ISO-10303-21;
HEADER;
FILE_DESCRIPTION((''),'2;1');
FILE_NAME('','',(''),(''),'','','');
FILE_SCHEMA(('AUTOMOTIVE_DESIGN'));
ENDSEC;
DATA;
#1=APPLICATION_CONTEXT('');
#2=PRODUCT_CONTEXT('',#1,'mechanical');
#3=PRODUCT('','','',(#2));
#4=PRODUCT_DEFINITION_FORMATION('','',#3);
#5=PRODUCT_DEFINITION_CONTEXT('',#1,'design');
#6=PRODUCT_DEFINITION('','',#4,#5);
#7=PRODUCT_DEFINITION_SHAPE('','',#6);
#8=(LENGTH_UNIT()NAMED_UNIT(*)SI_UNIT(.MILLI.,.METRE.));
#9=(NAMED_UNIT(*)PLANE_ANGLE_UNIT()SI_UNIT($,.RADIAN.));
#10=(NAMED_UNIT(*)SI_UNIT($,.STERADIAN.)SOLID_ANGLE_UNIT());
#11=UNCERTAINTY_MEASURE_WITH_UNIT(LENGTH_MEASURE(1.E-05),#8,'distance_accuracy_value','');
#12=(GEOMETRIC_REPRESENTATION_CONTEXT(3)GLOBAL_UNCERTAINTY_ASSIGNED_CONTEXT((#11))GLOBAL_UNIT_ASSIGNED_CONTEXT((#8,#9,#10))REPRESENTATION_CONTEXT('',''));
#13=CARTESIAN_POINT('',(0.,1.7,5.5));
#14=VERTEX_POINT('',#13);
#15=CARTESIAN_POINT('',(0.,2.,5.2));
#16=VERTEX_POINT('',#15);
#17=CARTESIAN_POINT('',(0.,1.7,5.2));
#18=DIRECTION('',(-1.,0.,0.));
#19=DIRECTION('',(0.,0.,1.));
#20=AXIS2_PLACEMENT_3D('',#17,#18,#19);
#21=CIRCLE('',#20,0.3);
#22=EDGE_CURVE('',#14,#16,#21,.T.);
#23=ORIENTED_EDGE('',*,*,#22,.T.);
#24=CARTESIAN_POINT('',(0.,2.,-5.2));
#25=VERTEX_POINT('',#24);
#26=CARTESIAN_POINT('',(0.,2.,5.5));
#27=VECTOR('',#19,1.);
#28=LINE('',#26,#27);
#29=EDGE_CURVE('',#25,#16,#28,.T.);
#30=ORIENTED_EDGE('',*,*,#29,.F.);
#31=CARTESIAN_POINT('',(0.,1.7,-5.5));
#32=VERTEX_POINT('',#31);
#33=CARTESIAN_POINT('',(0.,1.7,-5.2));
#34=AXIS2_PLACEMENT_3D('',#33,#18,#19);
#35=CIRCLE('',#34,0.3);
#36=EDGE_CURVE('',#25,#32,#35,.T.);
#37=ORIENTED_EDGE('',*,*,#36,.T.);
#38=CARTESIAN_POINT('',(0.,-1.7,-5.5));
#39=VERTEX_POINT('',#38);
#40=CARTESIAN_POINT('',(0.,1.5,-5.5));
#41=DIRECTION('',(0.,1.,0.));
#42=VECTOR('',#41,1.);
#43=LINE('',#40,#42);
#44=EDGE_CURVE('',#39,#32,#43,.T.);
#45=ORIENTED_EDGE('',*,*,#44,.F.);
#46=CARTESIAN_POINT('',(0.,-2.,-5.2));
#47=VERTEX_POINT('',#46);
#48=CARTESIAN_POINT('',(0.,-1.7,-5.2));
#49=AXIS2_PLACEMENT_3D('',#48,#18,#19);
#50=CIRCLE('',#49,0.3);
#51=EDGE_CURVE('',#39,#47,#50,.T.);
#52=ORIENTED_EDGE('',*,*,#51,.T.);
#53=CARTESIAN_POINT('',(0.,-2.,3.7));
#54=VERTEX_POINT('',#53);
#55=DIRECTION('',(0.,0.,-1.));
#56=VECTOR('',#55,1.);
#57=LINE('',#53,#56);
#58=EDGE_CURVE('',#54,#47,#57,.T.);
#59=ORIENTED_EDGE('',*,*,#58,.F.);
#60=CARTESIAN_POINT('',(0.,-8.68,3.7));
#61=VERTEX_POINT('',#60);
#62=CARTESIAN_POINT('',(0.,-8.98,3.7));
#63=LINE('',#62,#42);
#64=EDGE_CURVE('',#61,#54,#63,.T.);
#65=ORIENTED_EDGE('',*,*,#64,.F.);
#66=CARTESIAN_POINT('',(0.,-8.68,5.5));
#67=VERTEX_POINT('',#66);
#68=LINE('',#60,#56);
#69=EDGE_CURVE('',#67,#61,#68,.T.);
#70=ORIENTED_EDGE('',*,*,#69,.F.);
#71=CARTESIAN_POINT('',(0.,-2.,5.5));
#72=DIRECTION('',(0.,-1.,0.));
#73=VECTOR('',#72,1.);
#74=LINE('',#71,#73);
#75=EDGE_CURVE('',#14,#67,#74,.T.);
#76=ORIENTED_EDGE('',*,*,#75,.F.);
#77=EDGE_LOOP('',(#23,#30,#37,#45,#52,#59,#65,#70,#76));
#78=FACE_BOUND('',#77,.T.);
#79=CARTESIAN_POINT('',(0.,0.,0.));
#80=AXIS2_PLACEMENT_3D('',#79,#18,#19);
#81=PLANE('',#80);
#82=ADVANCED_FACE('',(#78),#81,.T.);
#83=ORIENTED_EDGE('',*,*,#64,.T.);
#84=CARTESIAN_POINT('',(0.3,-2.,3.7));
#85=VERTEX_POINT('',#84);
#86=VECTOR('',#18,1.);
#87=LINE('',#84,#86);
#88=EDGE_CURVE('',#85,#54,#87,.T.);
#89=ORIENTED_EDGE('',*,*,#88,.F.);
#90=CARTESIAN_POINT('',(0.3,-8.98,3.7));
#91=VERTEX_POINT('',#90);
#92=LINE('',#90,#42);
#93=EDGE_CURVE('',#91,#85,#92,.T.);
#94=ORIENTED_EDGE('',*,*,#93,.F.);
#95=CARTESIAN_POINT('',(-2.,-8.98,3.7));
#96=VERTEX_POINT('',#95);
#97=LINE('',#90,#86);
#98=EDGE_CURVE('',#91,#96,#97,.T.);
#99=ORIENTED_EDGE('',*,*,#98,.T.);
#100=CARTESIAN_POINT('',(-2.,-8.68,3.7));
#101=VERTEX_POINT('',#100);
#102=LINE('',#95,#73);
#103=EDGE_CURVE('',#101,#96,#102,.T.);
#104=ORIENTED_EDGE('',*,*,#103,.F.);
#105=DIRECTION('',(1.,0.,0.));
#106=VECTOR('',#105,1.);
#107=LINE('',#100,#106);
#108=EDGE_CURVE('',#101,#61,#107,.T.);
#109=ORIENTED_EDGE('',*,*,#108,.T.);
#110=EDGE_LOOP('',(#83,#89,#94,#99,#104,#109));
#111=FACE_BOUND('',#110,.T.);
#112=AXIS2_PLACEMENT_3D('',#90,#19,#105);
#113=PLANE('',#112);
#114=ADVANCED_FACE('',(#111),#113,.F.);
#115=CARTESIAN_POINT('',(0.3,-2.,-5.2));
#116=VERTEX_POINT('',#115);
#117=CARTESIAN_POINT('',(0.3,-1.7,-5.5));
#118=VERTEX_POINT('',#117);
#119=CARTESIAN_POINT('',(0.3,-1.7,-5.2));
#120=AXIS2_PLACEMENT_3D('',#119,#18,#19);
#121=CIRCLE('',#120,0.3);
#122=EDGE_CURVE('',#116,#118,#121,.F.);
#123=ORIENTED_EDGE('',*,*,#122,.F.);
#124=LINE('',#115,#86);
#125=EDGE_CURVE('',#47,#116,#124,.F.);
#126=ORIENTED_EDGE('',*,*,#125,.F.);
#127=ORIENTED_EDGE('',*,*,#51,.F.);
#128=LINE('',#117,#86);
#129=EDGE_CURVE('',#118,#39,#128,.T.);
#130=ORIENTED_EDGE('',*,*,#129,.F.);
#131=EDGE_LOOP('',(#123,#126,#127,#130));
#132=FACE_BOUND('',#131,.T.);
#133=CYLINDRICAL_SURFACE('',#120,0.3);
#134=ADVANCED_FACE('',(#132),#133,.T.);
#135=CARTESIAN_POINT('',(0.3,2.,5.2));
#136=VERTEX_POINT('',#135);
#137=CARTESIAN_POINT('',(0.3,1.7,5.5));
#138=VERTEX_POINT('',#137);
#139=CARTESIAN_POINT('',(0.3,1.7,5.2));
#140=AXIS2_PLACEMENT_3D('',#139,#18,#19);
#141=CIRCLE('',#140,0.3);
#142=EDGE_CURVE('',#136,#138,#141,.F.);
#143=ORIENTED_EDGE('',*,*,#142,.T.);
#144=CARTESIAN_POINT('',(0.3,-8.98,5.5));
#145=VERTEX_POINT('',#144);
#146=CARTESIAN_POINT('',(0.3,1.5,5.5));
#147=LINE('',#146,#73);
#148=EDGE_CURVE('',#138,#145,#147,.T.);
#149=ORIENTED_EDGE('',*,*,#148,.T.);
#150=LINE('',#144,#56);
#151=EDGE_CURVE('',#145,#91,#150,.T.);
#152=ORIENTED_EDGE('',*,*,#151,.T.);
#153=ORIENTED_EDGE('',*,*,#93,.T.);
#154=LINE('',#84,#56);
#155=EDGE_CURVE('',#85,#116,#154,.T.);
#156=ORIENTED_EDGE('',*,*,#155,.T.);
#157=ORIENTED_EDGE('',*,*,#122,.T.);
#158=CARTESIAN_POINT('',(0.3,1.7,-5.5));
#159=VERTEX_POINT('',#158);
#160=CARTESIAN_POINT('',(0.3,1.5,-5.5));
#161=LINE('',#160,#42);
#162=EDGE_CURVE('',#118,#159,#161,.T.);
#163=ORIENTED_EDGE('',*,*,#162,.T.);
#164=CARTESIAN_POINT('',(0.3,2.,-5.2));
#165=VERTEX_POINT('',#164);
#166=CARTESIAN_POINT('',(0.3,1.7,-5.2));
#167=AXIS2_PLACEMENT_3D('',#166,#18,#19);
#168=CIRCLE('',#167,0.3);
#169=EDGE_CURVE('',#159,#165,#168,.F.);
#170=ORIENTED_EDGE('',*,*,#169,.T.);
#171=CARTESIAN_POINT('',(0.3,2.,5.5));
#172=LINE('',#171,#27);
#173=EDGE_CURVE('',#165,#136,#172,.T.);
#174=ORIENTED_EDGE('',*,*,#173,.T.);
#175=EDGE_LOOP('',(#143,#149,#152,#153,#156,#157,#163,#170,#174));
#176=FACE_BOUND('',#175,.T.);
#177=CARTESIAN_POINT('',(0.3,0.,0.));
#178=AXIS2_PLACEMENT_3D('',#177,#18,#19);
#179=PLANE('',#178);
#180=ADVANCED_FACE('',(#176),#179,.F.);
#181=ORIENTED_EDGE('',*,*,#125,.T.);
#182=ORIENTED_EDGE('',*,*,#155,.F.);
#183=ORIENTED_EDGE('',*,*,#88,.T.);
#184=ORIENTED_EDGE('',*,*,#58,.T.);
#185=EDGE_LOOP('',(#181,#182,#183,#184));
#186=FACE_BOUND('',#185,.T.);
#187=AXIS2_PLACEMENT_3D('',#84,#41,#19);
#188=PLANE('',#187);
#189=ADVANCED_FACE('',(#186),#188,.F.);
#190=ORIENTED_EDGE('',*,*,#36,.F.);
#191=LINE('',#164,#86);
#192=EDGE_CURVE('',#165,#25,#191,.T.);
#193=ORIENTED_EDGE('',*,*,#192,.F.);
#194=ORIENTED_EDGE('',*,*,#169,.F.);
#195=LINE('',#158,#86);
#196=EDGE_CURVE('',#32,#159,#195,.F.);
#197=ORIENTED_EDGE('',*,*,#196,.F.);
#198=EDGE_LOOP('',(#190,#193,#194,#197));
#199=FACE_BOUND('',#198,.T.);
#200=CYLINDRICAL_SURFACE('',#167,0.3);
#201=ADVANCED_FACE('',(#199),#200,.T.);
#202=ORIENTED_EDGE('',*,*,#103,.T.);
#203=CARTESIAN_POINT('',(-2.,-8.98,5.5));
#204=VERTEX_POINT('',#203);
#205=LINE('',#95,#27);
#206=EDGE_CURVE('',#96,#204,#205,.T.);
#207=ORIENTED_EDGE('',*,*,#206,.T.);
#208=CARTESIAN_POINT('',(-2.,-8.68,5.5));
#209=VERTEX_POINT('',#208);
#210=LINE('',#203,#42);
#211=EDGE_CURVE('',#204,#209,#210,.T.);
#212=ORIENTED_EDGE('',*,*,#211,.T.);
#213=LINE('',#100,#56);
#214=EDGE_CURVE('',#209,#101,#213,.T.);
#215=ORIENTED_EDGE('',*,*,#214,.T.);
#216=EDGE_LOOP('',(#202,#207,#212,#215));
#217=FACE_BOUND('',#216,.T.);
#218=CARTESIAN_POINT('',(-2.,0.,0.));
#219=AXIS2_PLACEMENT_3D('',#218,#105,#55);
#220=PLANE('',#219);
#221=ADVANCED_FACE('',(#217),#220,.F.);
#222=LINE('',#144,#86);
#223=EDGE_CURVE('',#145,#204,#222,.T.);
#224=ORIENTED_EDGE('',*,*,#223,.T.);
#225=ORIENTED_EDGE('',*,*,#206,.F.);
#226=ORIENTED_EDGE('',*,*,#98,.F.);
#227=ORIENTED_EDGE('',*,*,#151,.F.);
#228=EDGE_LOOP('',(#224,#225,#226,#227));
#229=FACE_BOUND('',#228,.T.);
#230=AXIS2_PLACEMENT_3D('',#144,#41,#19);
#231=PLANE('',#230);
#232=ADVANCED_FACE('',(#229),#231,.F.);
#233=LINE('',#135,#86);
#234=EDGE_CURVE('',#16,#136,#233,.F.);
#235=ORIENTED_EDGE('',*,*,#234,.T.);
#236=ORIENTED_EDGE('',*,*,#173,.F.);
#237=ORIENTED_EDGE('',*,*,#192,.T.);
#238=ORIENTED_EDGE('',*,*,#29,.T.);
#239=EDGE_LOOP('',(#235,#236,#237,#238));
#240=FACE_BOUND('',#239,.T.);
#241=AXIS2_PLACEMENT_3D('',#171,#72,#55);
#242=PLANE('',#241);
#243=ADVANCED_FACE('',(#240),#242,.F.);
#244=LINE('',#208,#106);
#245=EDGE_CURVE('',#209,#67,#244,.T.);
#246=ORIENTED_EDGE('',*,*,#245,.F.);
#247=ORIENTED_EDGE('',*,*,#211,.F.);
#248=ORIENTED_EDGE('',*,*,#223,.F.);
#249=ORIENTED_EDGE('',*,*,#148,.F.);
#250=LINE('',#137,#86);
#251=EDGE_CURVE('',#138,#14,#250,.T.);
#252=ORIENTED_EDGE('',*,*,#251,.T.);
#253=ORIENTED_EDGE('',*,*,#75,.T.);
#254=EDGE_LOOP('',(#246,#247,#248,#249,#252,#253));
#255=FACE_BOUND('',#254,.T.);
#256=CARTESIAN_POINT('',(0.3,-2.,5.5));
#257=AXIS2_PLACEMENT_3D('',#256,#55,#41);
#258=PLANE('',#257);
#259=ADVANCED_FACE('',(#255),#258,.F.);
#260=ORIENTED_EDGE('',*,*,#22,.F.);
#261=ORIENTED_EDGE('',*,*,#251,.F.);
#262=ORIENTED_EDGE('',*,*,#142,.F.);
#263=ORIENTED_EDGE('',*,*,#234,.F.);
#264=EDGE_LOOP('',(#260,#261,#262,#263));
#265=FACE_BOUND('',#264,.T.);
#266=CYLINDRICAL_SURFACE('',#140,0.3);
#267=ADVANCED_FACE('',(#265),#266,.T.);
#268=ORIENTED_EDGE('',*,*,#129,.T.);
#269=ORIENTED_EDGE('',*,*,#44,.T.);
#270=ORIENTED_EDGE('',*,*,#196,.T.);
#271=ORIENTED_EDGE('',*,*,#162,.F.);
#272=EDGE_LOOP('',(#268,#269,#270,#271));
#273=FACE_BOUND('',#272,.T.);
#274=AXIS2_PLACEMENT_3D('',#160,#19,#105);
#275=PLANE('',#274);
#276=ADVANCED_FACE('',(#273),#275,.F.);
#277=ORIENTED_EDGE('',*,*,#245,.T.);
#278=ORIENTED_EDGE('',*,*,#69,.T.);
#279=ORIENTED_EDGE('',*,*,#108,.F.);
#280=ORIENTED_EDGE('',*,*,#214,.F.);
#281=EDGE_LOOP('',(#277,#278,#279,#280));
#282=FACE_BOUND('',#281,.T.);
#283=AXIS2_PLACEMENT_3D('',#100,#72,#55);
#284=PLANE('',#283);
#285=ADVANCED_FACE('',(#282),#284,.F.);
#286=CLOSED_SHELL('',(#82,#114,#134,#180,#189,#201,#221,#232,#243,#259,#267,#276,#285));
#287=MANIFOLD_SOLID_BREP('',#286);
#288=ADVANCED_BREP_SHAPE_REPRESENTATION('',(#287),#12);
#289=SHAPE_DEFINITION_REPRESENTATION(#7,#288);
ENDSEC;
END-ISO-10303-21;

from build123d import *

# Parameters (mm, degrees)
EXTRUDE_1_DEPTH = 0.3
SKETCH_3_W      = 1.8
SKETCH_3_H      = 0.3
EXTRUDE_2_DEPTH = 2
FILLET_1_R      = 0.3


with BuildPart() as part:
    # 草图1 → 凸台-拉伸1 (new body)
    with BuildSketch(Plane(origin=(0, 0, 0), x_dir=(0, 0, -1), z_dir=(1, 0, 0))):
        Polygon((-5.5, -2), (-5.5, -1.5), (-5.5, -0.5), (-5.5, 0.5), (-5.5, 1.5), (-5.5, 2), (5.5, 2), (5.5, 1.5), (5.5, 0.5), (5.5, -0.5), (5.5, -1.5), (5.5, -2), (-3.7, -2), (-3.7, -8.98), (-5.5, -8.98), align=None)
    extrude(amount=EXTRUDE_1_DEPTH)

    # 草图3 → 凸台-拉伸2 (add)
    with BuildSketch(Plane.ZY):
        with Locations((4.6, -8.83)):
            Rectangle(SKETCH_3_W, SKETCH_3_H)
    extrude(amount=EXTRUDE_2_DEPTH)

    # 圆角1
    fillet_1_edges = [part.edges().sort_by_distance(p)[0] for p in [
        (0.15, -2, -5.5),
        (0.15, 2, 5.5),
        (0.15, 2, -5.5),
    ]]
    fillet(fillet_1_edges, radius=FILLET_1_R)


solid = part.part
